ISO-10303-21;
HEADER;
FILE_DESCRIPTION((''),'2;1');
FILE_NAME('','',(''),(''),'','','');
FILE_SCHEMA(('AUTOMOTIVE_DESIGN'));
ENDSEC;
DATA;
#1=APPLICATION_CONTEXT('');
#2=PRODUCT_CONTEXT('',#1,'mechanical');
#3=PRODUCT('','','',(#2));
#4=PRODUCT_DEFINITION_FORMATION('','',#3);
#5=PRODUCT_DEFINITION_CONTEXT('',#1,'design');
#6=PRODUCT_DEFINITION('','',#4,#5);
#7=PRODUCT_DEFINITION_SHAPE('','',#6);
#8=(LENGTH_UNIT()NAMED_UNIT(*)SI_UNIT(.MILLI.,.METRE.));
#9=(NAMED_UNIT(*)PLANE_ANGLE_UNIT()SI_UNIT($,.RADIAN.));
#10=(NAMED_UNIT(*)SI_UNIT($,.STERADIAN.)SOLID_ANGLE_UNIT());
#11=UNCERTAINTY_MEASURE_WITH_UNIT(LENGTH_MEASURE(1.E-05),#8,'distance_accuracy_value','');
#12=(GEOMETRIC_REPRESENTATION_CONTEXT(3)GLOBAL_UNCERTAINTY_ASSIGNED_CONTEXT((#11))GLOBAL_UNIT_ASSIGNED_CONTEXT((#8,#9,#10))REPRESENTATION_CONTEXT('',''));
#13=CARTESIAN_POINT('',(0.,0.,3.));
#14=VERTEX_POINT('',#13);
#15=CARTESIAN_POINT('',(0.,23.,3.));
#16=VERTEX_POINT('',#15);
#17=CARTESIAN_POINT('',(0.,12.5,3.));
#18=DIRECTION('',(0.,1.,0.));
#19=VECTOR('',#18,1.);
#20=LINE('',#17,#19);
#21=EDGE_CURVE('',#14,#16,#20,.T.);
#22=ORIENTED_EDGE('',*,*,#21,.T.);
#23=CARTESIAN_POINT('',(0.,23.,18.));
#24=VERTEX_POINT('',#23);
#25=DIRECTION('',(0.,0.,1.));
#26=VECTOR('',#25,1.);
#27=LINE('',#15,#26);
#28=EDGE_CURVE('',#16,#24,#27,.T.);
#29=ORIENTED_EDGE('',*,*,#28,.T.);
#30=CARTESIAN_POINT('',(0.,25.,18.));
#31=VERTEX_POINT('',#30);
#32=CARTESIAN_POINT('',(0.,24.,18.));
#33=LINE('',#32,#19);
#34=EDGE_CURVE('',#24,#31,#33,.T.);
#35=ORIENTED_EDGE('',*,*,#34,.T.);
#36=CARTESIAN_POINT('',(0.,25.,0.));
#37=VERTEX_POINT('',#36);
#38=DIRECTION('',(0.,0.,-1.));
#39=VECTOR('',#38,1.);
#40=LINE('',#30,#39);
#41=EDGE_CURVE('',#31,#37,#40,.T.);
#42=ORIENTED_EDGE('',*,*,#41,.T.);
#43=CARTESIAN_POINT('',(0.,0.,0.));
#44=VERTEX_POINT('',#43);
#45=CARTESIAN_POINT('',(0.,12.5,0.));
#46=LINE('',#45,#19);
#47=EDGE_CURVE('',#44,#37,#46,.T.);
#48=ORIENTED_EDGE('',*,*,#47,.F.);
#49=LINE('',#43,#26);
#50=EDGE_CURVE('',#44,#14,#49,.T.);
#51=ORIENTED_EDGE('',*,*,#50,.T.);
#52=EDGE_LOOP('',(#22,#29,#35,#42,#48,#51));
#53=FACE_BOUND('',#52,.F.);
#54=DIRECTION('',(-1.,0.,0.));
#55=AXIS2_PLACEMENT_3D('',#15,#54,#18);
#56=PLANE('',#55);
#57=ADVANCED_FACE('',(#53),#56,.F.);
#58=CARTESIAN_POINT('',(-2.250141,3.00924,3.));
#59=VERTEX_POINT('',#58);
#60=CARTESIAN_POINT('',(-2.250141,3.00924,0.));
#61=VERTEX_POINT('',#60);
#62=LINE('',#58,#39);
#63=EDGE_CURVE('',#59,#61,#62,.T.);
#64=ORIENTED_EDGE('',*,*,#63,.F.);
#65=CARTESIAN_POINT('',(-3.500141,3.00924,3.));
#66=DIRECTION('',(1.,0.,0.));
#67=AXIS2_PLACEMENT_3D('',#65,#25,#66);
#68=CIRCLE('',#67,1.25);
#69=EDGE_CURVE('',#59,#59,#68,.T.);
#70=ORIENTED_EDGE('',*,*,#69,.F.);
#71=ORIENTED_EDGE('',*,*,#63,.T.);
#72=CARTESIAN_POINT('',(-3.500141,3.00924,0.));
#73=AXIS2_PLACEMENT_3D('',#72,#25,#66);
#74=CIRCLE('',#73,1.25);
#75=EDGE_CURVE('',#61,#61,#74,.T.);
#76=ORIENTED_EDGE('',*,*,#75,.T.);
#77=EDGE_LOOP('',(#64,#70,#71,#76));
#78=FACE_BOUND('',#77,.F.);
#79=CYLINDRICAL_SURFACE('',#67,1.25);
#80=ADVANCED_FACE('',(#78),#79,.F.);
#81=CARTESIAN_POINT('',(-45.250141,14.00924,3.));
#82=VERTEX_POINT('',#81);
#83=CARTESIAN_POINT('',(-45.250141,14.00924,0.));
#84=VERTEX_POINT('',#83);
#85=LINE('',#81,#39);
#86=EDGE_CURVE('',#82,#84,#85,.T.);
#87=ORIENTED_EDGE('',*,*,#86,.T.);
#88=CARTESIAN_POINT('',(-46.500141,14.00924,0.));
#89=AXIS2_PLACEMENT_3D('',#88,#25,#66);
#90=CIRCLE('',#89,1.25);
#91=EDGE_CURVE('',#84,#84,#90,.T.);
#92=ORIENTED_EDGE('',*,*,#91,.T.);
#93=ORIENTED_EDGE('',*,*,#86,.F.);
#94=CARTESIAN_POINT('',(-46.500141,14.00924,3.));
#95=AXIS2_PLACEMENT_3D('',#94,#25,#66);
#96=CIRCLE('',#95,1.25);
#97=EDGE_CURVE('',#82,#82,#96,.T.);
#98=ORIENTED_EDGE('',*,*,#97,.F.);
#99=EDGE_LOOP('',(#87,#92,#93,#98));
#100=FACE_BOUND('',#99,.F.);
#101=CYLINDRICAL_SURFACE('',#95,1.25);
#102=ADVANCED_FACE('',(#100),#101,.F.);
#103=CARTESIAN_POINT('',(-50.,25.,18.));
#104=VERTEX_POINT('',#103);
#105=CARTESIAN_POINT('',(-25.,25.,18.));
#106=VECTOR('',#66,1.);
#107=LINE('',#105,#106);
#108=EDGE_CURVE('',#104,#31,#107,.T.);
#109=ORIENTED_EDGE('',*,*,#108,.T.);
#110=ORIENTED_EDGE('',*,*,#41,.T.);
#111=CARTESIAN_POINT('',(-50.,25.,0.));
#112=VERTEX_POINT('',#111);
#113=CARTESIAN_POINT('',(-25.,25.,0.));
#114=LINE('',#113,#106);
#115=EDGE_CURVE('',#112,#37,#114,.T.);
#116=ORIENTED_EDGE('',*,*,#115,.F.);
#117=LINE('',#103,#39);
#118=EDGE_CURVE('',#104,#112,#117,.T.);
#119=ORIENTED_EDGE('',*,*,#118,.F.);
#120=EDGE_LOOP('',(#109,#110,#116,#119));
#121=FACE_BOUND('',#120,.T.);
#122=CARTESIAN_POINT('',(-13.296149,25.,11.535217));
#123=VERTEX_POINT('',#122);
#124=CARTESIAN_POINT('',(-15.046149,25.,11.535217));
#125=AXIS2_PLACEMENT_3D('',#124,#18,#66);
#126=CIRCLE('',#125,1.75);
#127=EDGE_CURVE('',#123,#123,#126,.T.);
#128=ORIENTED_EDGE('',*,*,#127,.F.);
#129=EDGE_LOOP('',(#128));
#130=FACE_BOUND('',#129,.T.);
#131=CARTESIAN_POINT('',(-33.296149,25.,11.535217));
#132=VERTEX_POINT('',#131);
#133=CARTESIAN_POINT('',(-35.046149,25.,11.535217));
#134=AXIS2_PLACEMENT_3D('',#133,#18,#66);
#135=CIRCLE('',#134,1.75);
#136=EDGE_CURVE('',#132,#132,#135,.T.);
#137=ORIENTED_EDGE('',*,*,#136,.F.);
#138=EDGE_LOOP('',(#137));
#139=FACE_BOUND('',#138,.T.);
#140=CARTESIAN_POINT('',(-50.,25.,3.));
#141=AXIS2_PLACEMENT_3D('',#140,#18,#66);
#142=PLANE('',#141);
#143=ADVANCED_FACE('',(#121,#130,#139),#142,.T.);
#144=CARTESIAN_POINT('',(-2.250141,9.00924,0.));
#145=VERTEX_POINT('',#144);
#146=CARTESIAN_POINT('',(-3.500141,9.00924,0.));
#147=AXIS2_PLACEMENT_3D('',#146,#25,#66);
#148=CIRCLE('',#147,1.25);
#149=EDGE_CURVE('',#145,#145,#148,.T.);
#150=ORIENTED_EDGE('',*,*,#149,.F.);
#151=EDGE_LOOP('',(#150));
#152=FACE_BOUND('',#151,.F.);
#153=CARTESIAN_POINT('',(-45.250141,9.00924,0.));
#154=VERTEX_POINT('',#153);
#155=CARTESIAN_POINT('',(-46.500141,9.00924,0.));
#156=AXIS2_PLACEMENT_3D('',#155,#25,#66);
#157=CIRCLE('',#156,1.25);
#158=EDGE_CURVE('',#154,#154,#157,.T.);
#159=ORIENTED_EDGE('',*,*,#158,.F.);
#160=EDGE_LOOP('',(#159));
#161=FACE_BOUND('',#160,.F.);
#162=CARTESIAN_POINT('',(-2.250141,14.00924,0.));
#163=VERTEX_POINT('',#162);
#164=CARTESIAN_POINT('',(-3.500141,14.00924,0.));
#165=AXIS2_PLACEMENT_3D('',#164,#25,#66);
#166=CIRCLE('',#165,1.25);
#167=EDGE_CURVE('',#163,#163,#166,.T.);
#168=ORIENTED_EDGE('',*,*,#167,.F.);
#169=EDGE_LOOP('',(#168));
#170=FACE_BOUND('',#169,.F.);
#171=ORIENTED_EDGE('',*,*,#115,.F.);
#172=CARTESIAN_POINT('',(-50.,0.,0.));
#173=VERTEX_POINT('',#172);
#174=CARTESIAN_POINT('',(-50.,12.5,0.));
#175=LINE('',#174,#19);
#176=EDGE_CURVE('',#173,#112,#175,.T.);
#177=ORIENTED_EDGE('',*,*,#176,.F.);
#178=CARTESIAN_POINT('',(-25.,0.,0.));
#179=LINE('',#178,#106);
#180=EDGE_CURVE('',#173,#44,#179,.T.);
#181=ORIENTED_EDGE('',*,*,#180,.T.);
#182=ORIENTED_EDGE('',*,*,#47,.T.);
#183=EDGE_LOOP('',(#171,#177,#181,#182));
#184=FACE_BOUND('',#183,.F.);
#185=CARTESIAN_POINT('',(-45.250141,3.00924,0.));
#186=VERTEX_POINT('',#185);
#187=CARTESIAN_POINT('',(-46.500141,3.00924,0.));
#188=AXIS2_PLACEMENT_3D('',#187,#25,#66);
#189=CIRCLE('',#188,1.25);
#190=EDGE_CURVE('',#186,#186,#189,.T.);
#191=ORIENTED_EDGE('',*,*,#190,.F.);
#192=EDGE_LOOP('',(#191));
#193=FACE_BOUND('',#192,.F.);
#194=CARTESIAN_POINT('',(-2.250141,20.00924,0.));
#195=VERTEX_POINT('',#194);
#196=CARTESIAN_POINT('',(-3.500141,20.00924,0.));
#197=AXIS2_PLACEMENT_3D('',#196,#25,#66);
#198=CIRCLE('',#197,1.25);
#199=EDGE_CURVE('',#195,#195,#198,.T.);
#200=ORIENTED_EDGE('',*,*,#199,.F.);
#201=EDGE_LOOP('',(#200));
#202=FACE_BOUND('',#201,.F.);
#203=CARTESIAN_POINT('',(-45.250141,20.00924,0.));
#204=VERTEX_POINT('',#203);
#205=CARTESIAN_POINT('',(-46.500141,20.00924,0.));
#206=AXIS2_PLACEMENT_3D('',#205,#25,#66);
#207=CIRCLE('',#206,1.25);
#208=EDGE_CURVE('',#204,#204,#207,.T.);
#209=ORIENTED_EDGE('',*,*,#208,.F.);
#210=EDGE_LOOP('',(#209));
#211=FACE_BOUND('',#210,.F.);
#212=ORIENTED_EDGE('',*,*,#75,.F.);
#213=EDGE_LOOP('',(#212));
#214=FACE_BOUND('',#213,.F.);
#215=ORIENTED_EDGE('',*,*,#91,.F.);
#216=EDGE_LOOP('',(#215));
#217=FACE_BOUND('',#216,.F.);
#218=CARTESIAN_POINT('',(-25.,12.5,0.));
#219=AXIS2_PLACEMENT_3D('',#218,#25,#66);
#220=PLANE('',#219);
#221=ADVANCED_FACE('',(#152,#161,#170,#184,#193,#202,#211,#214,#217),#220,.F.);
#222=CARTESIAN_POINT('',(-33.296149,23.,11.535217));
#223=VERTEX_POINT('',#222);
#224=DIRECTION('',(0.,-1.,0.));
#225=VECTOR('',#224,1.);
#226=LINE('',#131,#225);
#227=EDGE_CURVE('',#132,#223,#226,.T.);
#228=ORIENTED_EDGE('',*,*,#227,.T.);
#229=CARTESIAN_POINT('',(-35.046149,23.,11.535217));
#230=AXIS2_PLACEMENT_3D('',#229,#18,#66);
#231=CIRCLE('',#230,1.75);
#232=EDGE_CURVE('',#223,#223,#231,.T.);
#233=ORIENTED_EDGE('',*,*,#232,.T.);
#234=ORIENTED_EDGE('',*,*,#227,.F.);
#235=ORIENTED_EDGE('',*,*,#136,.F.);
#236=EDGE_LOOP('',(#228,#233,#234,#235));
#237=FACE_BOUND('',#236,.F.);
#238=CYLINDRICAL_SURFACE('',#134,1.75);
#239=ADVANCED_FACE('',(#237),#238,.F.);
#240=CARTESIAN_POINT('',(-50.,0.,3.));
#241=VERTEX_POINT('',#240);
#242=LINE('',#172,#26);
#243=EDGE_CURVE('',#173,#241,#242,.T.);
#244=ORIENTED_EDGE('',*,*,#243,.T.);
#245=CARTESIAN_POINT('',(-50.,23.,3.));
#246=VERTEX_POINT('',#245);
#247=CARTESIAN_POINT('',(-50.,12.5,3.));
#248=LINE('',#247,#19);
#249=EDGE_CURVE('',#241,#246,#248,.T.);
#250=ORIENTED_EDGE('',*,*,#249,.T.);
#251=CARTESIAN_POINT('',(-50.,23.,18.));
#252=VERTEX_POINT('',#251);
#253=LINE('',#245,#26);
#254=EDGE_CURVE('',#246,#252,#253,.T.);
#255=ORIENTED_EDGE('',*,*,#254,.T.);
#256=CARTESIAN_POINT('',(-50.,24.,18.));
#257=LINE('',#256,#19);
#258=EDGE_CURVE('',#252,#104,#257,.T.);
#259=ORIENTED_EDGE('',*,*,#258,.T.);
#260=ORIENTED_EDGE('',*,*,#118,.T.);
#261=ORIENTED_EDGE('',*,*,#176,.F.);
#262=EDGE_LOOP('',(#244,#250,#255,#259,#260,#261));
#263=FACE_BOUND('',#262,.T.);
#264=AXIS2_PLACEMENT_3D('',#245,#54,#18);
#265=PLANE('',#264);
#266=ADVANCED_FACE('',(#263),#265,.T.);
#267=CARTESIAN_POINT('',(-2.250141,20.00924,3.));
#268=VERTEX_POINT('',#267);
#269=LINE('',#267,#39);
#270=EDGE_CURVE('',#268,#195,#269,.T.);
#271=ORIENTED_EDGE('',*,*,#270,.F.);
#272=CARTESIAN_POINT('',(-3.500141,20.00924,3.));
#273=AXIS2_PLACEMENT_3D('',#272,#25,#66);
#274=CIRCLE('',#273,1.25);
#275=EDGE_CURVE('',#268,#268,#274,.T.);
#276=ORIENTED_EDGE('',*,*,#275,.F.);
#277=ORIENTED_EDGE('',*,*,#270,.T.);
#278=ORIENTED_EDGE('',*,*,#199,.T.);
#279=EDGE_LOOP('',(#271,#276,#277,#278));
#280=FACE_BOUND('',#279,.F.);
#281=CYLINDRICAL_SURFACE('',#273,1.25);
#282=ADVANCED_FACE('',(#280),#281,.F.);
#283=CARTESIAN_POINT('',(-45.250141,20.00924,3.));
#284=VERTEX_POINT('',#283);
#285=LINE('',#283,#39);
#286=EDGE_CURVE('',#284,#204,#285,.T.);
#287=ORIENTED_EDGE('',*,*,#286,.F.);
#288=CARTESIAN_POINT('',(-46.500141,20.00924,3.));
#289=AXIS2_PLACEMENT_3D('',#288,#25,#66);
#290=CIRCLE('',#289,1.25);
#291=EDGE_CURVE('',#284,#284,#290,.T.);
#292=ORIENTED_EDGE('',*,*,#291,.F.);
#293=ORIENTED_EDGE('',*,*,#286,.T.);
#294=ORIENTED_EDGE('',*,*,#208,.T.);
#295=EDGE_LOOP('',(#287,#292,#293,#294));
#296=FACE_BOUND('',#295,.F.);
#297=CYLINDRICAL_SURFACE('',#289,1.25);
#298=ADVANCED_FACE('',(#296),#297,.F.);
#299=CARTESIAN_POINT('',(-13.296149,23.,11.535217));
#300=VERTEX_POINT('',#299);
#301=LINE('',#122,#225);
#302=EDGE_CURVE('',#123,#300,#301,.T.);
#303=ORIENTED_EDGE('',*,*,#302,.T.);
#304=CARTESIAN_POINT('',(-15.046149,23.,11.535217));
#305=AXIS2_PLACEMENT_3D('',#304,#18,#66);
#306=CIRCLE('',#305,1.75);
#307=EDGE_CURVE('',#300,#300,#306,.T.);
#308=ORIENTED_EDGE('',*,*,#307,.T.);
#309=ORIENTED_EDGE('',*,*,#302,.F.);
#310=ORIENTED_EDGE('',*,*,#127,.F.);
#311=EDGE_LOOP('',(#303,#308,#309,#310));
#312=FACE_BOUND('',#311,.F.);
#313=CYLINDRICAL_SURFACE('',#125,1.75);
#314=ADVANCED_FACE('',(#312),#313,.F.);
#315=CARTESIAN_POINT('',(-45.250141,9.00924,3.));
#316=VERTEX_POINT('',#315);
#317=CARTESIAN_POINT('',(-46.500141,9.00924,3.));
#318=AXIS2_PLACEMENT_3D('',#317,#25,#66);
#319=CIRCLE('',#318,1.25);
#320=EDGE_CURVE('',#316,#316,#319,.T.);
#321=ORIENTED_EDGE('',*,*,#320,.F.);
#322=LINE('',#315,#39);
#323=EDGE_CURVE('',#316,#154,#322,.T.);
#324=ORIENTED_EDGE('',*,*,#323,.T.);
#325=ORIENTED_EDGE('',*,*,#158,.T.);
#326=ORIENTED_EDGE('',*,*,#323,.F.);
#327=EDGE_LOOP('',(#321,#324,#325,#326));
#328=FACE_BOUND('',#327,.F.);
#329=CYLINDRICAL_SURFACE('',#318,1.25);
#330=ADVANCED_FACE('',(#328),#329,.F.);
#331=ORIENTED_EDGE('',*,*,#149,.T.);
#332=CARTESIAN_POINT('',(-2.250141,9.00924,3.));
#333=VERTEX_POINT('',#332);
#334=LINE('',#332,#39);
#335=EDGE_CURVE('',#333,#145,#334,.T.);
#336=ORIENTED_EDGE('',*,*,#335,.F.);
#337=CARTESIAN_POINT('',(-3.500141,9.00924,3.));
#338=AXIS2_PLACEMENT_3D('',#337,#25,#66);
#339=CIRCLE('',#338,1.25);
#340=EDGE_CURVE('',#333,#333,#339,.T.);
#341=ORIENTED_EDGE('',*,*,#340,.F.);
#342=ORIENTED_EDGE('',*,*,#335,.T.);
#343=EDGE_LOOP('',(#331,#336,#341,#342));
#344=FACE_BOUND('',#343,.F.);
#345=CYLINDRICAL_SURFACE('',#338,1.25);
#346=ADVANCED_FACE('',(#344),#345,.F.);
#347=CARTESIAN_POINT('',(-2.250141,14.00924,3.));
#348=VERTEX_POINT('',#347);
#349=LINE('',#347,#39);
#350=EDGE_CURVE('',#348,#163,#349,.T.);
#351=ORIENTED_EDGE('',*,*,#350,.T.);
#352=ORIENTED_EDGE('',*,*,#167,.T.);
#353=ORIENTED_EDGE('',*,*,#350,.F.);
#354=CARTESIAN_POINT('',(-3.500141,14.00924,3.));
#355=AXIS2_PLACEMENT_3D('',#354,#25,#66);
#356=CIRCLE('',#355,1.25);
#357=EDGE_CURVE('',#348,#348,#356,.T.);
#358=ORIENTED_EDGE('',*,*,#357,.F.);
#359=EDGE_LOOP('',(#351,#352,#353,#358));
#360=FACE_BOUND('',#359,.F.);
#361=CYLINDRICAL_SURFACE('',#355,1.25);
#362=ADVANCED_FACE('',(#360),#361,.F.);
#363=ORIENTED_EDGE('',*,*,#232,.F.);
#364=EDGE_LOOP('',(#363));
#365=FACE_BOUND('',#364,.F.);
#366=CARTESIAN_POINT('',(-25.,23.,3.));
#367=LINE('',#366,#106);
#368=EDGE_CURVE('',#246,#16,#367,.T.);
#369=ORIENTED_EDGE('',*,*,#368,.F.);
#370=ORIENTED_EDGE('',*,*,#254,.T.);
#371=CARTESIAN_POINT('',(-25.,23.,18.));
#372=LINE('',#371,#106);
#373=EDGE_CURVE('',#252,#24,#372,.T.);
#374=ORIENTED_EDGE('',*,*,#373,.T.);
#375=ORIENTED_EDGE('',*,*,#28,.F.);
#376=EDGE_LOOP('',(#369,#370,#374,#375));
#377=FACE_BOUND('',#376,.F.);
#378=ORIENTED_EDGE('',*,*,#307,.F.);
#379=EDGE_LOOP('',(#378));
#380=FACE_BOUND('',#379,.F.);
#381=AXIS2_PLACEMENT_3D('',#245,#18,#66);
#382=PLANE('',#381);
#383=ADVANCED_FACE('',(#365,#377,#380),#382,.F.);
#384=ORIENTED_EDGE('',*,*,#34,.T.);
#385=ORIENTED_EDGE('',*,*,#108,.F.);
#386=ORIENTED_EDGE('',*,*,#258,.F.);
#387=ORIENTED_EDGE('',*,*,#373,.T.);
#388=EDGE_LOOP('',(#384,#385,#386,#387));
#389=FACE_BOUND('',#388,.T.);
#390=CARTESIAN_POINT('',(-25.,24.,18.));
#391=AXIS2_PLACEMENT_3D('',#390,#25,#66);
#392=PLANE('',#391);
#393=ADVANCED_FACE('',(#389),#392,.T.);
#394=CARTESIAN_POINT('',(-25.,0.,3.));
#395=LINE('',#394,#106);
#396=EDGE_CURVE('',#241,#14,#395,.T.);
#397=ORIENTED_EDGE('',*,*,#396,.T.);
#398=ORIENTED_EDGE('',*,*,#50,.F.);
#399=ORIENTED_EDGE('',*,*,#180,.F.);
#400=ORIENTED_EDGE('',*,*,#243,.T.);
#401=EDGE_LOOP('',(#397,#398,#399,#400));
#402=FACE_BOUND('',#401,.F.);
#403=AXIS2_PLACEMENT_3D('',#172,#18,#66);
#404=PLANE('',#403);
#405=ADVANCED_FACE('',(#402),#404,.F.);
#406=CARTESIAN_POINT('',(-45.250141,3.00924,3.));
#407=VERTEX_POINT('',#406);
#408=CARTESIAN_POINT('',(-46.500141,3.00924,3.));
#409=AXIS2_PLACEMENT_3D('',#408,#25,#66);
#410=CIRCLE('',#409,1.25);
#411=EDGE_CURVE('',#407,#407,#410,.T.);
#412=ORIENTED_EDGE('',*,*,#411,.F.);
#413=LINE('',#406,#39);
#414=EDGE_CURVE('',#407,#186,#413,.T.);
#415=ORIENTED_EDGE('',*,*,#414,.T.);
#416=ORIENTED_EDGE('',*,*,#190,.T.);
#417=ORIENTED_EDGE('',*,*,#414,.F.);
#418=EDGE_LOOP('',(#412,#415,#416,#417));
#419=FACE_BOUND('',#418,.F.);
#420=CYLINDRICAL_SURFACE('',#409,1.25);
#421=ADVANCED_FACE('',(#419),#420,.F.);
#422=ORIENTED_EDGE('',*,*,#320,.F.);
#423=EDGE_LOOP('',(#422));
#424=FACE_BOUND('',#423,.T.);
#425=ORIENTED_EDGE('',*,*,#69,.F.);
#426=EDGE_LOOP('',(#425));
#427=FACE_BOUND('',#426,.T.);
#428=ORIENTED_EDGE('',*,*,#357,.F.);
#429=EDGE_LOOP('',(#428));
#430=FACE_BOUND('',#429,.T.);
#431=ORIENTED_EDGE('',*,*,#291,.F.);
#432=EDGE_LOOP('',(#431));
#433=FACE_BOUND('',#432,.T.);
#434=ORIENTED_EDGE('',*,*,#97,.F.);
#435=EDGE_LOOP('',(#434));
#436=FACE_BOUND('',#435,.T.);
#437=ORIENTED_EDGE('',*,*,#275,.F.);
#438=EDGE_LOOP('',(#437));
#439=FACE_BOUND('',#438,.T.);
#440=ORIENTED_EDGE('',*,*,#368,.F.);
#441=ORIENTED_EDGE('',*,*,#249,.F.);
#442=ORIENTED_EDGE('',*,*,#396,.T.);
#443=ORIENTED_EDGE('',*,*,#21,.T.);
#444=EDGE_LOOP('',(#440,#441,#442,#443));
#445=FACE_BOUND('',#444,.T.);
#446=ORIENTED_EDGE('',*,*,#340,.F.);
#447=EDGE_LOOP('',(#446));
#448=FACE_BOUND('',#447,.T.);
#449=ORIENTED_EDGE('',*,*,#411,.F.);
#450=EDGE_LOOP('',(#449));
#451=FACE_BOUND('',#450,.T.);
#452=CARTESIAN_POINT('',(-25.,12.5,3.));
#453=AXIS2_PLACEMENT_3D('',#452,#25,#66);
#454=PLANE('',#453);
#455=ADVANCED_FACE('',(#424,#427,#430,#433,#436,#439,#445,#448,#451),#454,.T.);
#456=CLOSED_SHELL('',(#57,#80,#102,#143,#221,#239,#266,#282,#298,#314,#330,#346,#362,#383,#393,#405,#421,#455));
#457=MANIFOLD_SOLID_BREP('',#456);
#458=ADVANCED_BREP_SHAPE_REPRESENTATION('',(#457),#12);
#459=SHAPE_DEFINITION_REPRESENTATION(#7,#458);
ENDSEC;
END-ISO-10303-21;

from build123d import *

# Parameters (mm, degrees)
SKETCH1_W           = 50
SKETCH1_H           = 25
BOSS_EXTRUDE1_DEPTH = 3
SKETCH3_W           = 50
SKETCH3_H           = 2
BOSS_EXTRUDE2_DEPTH = 15
SKETCH5_R           = 1.25
CUT_EXTRUDE1_DEPTH  = 15
SKETCH6_R           = 1.75
CUT_EXTRUDE2_DEPTH  = 15


with BuildPart() as part:
    # Sketch1 → Boss-Extrude1 (new body)
    with BuildSketch(Plane.XY):
        with Locations((-25, 12.5)):
            Rectangle(SKETCH1_W, SKETCH1_H)
    extrude(amount=BOSS_EXTRUDE1_DEPTH)

    # Sketch3 → Boss-Extrude2 (add)
    with BuildSketch(Plane.XY.offset(3)):
        with Locations((-25, 24)):
            Rectangle(SKETCH3_W, SKETCH3_H)
    extrude(amount=BOSS_EXTRUDE2_DEPTH)

    # Sketch5 → Cut-Extrude1 (cut)
    with BuildSketch(Plane.XY.offset(3)):
        with Locations((-46.500140762, 20.00924034)):
            Circle(SKETCH5_R)
        with Locations((-46.500140762, 3.00924034)):
            Circle(SKETCH5_R)
        with Locations((-3.500140762, 20.00924034)):
            Circle(SKETCH5_R)
        with Locations((-3.500140762, 3.00924034)):
            Circle(SKETCH5_R)
        with Locations((-3.500140762, 14.00924034)):
            Circle(SKETCH5_R)
        with Locations((-46.500140762, 14.00924034)):
            Circle(SKETCH5_R)
        with Locations((-3.500140762, 9.00924034)):
            Circle(SKETCH5_R)
        with Locations((-46.500140762, 9.00924034)):
            Circle(SKETCH5_R)
    extrude(amount=-CUT_EXTRUDE1_DEPTH, mode=Mode.SUBTRACT)

    # Sketch6 → Cut-Extrude2 (cut)
    with BuildSketch(Plane(origin=(0, 25, 0), x_dir=(1, 0, 0), z_dir=(0, 1, 0))):
        with Locations((-35.046148944, -11.535217426)):
            Circle(SKETCH6_R)
        with Locations((-15.046148944, -11.535217426)):
            Circle(SKETCH6_R)
    extrude(amount=-CUT_EXTRUDE2_DEPTH, mode=Mode.SUBTRACT)


solid = part.part
